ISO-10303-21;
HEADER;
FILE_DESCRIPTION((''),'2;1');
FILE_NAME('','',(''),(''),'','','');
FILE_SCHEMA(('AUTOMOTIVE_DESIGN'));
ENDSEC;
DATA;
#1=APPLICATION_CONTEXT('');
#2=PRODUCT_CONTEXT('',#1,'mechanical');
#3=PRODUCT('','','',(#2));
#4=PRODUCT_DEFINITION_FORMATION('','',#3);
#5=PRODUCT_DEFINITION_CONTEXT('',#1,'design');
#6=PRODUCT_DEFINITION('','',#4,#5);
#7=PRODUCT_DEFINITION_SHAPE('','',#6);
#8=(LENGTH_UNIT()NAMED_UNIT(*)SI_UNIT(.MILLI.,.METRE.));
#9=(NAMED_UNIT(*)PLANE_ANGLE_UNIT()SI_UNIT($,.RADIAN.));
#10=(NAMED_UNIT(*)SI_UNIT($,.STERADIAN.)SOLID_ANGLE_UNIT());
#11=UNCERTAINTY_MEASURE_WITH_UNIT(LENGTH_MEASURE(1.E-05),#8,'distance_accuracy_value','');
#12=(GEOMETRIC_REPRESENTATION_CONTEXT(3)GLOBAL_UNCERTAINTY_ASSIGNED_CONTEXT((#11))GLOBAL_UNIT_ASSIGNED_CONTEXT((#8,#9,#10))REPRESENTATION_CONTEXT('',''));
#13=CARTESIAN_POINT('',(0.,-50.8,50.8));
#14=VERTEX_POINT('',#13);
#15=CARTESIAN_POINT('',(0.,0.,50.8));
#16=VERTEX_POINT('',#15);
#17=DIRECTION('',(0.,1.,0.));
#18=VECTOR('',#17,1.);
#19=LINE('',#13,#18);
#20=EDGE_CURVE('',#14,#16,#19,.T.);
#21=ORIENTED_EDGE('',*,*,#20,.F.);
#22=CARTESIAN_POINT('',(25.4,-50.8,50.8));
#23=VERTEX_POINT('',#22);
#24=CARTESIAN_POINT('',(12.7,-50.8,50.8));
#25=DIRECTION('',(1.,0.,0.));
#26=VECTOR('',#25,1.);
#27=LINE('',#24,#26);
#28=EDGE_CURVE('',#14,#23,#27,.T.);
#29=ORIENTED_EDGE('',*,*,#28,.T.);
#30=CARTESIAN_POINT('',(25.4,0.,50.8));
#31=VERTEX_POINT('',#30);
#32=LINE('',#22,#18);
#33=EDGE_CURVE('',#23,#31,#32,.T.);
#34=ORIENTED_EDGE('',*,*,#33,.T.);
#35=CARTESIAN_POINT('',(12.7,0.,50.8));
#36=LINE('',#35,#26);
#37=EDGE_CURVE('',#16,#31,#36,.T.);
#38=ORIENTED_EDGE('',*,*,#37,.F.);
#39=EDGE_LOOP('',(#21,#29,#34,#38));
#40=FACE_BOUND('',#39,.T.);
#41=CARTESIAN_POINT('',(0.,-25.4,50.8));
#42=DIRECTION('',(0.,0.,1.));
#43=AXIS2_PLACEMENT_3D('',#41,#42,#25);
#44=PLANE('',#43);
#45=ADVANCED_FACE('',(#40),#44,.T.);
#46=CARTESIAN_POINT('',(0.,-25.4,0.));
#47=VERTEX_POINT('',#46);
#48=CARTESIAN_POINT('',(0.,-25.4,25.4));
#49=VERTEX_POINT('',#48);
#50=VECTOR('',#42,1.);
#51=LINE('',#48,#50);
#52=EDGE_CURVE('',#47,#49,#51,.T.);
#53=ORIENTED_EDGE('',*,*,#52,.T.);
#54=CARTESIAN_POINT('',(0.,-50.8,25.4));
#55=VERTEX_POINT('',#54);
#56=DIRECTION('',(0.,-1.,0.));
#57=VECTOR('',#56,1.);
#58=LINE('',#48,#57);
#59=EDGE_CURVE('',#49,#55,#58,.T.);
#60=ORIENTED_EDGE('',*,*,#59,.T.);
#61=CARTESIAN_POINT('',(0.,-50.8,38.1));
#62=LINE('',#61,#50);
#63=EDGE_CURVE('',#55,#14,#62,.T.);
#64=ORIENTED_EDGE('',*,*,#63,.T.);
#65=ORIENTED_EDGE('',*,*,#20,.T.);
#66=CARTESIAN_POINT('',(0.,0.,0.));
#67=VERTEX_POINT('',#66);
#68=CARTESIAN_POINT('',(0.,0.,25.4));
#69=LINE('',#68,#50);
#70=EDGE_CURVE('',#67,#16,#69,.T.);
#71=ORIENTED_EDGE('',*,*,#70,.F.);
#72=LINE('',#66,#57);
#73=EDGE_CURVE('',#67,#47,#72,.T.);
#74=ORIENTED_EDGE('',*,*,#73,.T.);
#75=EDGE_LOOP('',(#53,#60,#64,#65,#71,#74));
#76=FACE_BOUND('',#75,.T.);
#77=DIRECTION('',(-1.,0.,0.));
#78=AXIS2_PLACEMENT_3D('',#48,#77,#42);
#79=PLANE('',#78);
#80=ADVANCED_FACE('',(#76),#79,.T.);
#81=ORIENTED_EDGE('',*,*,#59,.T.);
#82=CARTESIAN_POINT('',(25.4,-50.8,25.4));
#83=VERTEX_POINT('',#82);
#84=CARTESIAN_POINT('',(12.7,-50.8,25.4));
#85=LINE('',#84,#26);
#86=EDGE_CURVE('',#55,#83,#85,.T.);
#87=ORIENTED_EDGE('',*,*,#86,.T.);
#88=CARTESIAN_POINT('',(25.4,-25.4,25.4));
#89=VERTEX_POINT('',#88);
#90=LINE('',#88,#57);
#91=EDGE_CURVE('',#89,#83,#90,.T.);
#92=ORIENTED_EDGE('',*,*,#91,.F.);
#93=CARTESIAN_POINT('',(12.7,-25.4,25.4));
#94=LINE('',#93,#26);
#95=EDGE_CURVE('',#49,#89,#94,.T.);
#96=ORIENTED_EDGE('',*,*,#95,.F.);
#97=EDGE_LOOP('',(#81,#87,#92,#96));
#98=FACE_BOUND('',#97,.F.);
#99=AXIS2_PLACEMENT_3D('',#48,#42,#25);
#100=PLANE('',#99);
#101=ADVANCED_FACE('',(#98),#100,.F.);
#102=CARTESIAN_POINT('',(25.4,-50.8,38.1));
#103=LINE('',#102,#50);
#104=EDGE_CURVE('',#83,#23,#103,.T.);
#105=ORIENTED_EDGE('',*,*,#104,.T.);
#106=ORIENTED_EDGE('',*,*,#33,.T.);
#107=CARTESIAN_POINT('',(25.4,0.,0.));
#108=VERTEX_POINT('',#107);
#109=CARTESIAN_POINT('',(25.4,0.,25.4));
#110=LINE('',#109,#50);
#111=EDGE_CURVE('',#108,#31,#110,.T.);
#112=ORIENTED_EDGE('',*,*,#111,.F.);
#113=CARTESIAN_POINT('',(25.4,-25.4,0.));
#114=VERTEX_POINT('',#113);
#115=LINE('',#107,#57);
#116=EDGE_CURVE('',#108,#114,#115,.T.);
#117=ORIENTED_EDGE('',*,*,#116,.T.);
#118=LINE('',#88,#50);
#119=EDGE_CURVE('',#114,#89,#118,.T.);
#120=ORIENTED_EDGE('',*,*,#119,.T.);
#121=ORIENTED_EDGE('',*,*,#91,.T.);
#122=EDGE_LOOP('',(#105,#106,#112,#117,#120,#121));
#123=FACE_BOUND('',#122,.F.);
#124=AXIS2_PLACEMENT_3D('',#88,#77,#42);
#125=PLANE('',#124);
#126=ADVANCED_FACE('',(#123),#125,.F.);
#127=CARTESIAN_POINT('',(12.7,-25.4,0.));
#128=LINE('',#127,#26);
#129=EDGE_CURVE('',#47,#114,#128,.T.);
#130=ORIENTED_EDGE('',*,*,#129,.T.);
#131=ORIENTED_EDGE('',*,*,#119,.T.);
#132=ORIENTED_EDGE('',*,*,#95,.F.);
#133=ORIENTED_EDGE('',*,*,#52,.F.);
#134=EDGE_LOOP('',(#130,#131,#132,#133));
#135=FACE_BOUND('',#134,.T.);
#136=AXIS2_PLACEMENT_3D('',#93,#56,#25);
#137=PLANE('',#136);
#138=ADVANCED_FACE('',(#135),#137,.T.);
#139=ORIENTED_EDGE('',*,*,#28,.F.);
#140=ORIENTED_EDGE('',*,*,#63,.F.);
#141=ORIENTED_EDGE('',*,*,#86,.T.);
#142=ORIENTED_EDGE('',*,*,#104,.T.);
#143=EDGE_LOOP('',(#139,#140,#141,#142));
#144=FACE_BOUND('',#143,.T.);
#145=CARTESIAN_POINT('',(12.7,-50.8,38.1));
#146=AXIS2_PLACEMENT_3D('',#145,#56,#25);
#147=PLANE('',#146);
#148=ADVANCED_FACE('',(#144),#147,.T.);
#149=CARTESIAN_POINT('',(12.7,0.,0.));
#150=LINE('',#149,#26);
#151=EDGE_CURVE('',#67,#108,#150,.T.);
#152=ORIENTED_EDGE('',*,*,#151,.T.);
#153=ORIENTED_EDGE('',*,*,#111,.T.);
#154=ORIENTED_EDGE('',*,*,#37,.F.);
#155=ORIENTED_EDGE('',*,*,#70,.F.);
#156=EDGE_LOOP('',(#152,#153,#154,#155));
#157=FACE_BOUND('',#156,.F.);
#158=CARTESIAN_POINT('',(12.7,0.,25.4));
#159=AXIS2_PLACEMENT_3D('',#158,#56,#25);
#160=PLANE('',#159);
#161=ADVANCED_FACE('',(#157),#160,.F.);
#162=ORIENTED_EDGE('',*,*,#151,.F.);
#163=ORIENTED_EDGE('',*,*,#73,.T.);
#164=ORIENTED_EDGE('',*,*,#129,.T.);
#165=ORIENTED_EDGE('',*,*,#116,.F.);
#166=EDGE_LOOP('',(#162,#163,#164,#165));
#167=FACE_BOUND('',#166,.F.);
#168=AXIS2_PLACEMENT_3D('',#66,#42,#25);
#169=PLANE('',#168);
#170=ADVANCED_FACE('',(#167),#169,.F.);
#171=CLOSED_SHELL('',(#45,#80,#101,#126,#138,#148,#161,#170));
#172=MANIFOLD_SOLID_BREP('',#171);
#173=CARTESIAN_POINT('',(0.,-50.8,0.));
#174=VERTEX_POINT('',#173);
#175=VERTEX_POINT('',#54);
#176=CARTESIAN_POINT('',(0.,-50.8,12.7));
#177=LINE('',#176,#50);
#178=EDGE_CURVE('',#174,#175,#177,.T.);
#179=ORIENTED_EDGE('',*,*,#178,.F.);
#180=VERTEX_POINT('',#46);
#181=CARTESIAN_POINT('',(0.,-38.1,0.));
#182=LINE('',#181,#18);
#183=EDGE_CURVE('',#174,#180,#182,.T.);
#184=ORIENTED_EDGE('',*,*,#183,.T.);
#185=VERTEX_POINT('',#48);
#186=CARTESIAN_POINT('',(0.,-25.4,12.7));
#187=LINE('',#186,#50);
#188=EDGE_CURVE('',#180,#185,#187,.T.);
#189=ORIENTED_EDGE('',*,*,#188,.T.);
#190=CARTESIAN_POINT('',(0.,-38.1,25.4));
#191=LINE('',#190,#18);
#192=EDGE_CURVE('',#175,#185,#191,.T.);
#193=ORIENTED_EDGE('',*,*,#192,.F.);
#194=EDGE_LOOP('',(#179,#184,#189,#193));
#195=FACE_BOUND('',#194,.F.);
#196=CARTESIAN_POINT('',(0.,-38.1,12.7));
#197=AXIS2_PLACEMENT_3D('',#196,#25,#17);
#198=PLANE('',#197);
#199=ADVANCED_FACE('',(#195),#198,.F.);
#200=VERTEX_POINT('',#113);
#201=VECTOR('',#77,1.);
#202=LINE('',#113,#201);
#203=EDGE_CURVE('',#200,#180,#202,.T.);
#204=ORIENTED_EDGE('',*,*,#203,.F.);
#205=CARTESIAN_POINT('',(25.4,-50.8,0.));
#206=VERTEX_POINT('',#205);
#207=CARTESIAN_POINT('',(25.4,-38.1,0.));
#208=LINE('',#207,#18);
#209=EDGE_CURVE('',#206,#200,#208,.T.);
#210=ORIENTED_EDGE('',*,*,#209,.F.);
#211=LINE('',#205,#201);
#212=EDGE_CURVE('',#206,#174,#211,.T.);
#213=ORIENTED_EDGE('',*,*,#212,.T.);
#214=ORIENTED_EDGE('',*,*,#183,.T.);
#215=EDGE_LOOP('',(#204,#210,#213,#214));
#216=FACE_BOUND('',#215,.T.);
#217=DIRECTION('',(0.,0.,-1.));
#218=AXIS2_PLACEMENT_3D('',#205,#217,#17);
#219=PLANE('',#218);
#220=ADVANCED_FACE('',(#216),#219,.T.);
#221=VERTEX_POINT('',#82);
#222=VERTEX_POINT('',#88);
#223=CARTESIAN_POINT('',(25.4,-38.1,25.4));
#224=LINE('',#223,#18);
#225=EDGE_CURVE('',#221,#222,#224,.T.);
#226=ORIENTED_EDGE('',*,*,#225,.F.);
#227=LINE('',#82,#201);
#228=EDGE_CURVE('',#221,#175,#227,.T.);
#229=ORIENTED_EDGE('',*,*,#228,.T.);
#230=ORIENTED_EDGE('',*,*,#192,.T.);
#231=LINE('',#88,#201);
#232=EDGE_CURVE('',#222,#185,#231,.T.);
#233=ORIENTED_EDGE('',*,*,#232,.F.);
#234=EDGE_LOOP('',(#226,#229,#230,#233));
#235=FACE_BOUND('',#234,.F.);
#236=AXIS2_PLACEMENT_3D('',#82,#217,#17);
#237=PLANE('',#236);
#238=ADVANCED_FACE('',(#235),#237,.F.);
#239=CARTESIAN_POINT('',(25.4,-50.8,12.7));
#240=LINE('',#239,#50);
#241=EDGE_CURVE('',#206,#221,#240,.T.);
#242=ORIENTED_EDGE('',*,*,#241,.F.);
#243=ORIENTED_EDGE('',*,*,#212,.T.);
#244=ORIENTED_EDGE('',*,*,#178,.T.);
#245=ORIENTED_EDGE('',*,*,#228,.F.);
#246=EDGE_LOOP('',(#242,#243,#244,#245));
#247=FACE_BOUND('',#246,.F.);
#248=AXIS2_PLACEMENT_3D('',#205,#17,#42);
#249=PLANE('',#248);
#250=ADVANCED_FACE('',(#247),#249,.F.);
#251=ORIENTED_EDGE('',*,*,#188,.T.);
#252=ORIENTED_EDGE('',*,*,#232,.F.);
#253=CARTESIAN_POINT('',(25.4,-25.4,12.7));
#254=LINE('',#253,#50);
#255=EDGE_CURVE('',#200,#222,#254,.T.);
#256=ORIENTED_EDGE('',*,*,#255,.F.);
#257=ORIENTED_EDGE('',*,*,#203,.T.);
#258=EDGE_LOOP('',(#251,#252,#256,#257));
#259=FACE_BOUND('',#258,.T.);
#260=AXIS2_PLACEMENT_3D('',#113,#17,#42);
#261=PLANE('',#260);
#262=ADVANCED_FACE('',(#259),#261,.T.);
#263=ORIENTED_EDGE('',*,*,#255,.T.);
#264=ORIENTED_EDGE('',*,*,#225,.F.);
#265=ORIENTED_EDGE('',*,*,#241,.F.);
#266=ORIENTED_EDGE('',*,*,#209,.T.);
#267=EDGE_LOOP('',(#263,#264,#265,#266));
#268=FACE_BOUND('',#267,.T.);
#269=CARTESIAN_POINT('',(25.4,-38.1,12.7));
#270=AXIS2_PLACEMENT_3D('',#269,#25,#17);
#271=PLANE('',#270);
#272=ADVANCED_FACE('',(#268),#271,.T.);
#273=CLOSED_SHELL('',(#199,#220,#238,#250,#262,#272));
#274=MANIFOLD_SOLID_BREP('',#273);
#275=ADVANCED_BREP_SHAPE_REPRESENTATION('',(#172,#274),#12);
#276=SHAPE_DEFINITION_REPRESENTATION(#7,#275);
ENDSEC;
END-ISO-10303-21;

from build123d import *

# Parameters (mm, degrees)
F0_W     = 25.4
F0_H     = 50.8
F1_DEPTH = 25.4
F2_W     = 25.4
F2_H     = 25.4
F3_DEPTH = 25.4
F4_W     = 25.4
F4_H     = 25.4
F5_DEPTH = 25.4


with BuildPart() as f1:
    # F0 (on Front) → F1 (new body)
    with BuildSketch(Plane.XZ):
        with Locations((12.7, 25.4)):
            Rectangle(F0_W, F0_H)
    extrude(amount=F1_DEPTH)

    # F2 (on face) → F3 (join)
    with BuildSketch(Plane.XZ.offset(25.4)):
        with Locations((12.7, 38.1)):
            Rectangle(F2_W, F2_H)
    extrude(amount=F3_DEPTH)


with BuildPart() as f5:
    # F4 (on face) → F5 (new body)
    with BuildSketch(Plane.YZ.offset(25.4)):
        with Locations((-38.1, 12.7)):
            Rectangle(F4_W, F4_H)
    extrude(amount=-F5_DEPTH)


solid = Compound([f1.part, f5.part])
